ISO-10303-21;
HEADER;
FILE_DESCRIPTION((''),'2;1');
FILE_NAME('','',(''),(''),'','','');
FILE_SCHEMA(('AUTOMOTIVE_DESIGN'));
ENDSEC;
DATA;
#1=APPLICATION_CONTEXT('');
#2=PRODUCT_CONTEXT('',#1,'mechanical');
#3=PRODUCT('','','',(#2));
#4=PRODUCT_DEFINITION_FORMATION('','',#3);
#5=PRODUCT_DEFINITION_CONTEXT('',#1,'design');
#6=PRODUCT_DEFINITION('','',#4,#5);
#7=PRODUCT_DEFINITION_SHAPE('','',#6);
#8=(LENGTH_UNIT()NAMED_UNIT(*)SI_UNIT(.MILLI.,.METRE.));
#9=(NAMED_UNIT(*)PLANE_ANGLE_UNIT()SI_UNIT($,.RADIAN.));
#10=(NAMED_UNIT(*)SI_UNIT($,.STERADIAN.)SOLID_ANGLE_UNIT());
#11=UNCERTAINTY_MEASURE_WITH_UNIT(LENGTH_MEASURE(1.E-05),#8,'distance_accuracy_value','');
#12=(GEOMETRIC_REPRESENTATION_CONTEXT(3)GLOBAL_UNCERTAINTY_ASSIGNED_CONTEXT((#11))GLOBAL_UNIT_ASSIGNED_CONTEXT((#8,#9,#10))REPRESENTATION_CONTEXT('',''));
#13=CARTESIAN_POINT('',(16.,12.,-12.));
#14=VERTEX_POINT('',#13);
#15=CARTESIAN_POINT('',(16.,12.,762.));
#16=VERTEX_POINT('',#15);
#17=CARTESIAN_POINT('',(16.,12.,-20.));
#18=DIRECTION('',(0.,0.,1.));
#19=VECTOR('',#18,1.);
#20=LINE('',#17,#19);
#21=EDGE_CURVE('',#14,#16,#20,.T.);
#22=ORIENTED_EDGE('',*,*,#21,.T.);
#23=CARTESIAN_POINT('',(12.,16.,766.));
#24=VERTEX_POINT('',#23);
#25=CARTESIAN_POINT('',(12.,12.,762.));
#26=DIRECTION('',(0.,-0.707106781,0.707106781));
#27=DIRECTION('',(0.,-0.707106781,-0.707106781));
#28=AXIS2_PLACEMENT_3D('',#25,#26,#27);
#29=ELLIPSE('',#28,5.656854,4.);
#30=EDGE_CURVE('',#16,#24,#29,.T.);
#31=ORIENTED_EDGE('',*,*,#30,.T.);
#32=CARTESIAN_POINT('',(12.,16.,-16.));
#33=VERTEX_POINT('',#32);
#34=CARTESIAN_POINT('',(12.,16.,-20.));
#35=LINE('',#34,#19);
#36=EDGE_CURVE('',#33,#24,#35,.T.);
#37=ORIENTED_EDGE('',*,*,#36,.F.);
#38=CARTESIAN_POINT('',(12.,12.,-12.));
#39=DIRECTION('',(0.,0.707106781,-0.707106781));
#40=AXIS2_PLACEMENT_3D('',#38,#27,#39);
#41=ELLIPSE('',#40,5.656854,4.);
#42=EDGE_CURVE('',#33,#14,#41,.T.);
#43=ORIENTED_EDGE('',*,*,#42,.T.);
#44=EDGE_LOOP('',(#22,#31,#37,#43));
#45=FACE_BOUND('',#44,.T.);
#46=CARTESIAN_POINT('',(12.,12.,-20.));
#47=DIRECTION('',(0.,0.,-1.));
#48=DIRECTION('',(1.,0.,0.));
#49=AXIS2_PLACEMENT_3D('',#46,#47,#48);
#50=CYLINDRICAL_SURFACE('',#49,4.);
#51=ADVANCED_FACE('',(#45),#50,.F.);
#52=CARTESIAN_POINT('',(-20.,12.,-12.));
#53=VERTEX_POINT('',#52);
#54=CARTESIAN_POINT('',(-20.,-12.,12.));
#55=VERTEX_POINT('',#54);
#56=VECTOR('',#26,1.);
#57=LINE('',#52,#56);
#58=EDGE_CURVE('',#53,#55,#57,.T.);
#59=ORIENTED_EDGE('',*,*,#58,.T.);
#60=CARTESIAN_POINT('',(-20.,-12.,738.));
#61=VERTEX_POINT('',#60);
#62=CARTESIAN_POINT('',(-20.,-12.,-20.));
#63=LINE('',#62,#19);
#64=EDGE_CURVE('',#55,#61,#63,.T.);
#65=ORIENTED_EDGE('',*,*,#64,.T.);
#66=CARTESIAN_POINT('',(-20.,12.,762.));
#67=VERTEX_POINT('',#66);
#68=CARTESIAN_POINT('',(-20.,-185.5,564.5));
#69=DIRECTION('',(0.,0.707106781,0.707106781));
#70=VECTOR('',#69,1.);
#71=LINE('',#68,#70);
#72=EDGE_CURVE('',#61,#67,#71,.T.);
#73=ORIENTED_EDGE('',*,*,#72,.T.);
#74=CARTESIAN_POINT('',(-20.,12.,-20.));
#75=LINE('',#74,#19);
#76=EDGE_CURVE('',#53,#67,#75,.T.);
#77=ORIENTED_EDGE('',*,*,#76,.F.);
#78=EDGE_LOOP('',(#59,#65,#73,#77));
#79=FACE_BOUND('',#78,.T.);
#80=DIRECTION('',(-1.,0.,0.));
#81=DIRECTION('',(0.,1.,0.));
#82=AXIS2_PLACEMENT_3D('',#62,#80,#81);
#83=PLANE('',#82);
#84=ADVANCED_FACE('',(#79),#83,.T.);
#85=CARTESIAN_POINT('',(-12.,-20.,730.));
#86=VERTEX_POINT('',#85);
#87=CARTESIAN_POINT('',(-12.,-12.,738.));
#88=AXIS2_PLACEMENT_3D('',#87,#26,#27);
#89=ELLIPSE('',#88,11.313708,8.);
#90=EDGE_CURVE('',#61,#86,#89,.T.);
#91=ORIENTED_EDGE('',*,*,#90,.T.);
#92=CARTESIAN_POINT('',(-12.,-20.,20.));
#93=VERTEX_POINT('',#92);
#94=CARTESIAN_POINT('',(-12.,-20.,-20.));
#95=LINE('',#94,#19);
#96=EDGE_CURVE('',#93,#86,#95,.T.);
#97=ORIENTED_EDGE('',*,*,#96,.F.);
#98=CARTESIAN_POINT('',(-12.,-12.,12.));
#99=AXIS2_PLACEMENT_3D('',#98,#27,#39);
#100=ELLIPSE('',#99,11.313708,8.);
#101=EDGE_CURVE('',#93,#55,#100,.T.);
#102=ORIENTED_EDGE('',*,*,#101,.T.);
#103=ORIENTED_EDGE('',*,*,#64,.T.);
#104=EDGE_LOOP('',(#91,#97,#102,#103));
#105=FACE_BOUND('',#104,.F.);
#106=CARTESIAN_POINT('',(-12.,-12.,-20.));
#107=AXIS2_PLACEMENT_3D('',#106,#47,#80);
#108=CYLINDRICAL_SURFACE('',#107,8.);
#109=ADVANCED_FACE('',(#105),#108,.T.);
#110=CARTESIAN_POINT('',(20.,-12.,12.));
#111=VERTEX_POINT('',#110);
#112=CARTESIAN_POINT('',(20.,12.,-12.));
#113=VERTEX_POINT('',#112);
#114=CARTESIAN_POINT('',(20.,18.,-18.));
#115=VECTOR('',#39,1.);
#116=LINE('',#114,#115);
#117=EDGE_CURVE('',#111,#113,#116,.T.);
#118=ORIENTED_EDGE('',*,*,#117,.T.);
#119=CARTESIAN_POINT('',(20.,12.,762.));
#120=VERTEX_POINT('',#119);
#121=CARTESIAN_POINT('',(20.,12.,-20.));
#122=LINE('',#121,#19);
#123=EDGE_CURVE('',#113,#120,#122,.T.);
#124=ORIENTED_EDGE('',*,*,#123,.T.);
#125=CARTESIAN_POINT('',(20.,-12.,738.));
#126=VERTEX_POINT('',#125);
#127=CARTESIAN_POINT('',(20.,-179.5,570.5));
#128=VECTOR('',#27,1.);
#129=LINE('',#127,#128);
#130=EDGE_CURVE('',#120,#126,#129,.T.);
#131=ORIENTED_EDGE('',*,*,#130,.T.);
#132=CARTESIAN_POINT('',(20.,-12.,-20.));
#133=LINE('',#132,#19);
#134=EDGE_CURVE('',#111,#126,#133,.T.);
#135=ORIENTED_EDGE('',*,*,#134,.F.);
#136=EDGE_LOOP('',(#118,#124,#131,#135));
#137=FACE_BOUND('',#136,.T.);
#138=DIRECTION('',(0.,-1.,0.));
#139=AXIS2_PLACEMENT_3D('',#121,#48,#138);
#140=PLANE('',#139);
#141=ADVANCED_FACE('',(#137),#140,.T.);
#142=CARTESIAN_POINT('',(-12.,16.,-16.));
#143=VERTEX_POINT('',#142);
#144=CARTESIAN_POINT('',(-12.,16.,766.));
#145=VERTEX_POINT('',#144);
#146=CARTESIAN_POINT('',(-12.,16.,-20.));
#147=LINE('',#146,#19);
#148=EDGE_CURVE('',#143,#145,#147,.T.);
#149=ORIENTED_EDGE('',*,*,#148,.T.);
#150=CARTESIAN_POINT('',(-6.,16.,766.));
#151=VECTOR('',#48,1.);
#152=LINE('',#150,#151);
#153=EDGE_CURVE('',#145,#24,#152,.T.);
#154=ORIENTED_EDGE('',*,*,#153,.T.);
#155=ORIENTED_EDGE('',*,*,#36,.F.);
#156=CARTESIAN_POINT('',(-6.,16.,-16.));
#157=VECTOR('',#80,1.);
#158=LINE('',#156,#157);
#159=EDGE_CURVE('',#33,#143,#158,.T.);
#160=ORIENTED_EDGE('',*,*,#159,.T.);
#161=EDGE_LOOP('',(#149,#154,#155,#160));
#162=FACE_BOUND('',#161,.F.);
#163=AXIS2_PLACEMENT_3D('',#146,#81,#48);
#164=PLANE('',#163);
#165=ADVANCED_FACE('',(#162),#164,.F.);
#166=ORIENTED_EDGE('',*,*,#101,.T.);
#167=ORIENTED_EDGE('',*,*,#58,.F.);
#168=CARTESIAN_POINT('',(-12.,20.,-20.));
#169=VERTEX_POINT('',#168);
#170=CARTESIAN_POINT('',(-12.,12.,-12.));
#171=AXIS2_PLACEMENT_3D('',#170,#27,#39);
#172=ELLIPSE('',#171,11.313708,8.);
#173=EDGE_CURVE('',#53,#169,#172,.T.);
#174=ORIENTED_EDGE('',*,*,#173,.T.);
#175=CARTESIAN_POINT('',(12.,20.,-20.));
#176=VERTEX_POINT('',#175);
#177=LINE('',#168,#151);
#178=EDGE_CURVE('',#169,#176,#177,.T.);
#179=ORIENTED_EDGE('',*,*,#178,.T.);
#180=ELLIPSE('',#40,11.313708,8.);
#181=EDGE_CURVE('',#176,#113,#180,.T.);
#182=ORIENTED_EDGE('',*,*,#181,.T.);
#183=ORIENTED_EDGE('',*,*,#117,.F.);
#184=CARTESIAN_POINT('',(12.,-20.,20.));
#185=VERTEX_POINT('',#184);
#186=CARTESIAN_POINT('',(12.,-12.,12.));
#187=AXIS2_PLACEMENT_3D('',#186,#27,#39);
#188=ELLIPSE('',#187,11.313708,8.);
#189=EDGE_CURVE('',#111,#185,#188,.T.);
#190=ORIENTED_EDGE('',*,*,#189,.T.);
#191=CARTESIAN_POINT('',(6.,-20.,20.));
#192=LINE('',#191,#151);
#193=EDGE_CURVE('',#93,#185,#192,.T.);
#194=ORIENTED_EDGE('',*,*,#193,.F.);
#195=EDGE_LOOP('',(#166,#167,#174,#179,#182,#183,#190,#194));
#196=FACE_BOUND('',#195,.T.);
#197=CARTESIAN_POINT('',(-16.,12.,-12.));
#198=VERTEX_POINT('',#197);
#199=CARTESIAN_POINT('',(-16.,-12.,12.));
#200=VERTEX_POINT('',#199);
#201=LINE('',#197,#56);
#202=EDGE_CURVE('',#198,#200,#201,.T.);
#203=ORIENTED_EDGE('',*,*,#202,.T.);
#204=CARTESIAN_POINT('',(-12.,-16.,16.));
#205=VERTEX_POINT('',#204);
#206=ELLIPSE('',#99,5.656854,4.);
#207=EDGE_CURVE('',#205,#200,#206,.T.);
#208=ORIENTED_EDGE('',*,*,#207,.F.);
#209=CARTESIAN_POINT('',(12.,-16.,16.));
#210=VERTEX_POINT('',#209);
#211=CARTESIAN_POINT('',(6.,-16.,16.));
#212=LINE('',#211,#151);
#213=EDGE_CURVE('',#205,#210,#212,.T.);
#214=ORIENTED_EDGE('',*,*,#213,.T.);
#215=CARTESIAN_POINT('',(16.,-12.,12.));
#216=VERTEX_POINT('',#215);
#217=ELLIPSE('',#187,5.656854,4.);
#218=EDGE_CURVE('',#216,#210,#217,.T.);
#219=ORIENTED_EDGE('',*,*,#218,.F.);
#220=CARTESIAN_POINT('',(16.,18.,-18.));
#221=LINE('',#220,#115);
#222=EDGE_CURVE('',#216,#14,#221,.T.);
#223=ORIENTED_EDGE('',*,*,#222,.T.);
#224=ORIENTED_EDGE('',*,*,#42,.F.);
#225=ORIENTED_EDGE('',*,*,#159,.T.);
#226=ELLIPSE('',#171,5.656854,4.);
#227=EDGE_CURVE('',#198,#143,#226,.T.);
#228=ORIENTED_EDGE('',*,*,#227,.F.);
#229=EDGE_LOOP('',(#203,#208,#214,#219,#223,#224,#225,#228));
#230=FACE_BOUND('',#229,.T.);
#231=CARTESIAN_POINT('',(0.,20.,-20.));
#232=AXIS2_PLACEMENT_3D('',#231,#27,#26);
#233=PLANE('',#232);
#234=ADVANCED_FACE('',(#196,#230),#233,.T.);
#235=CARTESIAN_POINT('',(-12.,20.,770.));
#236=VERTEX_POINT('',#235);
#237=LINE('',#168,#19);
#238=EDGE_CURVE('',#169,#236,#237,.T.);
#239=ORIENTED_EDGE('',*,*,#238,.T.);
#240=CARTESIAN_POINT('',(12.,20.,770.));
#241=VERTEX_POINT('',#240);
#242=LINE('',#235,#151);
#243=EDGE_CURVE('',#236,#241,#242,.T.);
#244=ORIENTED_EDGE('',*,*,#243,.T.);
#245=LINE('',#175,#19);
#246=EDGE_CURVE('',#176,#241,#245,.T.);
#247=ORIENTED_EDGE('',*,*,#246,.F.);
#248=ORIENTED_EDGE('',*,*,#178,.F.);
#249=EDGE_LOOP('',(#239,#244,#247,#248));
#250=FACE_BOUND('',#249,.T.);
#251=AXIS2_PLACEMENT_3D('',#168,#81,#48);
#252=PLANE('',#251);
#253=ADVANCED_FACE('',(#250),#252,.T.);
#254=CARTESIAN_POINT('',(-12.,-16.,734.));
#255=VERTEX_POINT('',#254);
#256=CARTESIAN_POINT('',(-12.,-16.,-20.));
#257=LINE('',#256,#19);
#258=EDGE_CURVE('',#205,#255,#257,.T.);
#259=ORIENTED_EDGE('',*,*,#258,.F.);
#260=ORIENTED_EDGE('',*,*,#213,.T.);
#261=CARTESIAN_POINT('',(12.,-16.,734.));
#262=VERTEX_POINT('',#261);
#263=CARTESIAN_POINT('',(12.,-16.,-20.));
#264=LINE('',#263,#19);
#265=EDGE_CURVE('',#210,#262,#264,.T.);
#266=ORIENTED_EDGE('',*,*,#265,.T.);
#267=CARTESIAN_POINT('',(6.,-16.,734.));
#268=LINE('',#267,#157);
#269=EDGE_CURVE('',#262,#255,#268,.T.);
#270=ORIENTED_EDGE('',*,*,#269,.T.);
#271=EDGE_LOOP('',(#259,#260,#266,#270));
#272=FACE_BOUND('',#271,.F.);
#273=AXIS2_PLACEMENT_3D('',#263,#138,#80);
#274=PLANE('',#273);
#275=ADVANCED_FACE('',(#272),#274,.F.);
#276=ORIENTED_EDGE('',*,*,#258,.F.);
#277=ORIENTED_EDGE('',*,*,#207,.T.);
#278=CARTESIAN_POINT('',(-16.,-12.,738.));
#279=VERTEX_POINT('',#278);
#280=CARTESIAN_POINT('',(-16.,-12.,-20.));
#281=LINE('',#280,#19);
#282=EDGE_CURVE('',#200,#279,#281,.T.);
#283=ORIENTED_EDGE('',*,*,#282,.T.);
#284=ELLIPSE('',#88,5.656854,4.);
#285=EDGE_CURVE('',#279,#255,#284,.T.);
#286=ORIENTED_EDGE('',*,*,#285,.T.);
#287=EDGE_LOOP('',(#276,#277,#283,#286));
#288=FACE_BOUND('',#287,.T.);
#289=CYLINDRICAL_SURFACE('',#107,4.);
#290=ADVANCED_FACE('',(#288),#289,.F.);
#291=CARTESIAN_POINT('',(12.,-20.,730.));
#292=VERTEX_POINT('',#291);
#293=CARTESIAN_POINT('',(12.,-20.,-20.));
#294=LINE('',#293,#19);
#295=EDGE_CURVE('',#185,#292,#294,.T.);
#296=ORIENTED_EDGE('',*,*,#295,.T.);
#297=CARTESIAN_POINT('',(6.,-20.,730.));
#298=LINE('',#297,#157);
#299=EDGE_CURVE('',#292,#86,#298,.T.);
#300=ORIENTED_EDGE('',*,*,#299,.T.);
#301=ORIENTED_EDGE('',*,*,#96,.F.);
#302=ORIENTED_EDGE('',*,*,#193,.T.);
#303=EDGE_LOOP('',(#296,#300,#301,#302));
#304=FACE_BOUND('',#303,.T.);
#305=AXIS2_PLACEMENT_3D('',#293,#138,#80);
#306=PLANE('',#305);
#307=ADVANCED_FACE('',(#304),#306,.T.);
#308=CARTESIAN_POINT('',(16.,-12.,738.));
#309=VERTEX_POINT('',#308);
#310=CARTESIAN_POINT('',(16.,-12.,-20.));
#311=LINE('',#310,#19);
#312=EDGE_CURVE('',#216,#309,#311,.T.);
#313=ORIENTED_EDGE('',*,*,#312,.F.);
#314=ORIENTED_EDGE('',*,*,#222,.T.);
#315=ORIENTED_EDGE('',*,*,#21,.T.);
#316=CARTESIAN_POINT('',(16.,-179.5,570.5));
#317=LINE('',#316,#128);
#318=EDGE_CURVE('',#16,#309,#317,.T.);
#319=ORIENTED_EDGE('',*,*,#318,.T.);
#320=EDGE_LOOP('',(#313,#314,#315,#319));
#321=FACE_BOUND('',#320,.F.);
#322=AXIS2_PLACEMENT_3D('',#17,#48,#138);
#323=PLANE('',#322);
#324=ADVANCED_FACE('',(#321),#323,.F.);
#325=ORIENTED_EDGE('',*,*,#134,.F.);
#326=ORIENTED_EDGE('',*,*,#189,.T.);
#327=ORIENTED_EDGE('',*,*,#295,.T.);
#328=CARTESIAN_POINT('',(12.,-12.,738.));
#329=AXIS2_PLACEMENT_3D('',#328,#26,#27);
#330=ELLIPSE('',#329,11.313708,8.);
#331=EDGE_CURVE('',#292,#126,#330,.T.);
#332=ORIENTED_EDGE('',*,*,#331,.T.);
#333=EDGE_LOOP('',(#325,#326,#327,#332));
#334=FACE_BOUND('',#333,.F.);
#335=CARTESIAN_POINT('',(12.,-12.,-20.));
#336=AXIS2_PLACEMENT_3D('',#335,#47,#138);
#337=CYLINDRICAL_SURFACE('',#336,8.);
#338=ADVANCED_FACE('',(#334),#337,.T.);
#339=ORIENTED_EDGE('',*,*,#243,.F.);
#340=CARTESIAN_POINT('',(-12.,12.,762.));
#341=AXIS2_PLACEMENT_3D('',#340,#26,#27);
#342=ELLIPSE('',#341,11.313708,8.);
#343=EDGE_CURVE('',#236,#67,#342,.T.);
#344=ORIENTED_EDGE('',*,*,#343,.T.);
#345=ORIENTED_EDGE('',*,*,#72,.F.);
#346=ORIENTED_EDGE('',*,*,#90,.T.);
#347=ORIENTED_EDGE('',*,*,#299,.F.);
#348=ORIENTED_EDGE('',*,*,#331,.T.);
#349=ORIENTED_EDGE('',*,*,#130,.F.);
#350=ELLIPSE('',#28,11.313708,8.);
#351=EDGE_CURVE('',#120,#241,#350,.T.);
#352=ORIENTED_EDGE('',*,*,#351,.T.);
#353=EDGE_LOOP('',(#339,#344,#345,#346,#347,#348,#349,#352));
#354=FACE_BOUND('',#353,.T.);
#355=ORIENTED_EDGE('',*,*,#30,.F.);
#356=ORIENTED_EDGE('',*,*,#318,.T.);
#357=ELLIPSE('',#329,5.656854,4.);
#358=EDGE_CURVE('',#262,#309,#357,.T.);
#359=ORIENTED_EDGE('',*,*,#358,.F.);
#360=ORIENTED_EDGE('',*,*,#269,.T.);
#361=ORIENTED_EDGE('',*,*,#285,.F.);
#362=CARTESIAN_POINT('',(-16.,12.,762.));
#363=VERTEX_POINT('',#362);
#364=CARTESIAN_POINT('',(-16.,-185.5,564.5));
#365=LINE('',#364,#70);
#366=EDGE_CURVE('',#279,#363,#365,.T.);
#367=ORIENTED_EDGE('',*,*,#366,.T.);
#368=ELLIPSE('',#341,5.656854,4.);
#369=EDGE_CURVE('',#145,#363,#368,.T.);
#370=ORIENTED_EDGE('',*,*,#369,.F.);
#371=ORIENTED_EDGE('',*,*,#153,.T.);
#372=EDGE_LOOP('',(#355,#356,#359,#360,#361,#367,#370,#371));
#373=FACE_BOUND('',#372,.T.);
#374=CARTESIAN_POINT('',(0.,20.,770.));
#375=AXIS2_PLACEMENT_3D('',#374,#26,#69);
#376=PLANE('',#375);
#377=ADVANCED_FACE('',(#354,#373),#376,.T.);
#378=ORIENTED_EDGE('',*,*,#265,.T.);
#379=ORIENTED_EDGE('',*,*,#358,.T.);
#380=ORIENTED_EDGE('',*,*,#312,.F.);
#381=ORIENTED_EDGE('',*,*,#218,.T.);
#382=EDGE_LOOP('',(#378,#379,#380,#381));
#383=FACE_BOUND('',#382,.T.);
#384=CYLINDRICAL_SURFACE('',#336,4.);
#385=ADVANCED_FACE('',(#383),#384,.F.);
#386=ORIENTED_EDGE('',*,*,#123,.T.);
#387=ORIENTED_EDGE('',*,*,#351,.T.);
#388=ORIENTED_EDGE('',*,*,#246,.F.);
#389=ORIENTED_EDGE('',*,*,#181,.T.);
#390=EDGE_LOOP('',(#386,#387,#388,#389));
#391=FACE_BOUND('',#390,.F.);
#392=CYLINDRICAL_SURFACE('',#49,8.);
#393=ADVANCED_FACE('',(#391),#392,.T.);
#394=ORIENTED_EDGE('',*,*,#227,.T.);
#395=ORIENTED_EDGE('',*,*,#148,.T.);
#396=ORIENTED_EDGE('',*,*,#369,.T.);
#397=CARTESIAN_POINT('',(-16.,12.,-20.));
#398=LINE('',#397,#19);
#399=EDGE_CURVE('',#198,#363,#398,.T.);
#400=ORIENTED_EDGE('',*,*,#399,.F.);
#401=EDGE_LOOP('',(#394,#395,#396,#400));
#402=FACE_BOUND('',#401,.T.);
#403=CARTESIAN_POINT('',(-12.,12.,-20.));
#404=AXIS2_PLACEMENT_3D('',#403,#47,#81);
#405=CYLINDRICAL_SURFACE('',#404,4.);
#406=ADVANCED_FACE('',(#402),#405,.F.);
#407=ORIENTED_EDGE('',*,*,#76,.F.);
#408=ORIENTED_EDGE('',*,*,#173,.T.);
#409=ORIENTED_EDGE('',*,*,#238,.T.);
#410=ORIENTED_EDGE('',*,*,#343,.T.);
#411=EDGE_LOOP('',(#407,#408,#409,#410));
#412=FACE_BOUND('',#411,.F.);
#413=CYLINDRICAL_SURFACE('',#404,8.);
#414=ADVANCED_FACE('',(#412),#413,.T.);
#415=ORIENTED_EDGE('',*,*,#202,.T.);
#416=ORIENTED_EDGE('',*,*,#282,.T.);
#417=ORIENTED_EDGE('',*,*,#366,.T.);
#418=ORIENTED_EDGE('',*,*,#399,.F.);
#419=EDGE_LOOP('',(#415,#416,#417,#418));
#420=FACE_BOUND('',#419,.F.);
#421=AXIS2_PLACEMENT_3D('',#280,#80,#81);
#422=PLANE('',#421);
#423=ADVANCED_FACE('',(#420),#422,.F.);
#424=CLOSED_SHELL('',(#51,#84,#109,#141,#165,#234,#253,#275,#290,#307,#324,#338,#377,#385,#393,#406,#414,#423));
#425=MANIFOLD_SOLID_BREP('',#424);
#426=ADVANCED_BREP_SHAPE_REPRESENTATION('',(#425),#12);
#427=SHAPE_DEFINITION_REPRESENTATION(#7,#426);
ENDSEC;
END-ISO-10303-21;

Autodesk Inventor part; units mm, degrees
ref_plane "Start plane" through (0, 0, -20) normal (0, 0, 1) x (1, 0, 0)
ref_plane "End plane" through (0, 0, 770) normal (0, 0, 1) x (1, 0, 0)
sketch "Sketch" plane through (0, 0, 0) normal (0, 0, 1) x (1, 0, 0)
  line L0 (-20, -12) -> (-20, 12)
  line L1 (-12, 20) -> (12, 20)
  line L2 (20, 12) -> (20, -12)
  line L3 (12, -20) -> (-12, -20)
  arc A0 (-20, -12) -> (-12, -20) centre (-12, -12) ccw
  arc A1 (-12, 20) -> (-20, 12) centre (-12, 12) ccw
  arc A2 (20, 12) -> (12, 20) centre (12, 12) ccw
  arc A3 (12, -20) -> (20, -12) centre (12, -12) ccw
  arc A4 (-12, 16) -> (-16, 12) centre (-12, 12) ccw
  line L4 (-12, 16) -> (12, 16)
  arc A5 (16, 12) -> (12, 16) centre (12, 12) ccw
  line L5 (16, 12) -> (16, -12)
  arc A6 (12, -16) -> (16, -12) centre (12, -12) ccw
  line L6 (12, -16) -> (-12, -16)
  arc A7 (-16, -12) -> (-12, -16) centre (-12, -12) ccw
  line L7 (-16, -12) -> (-16, 12)
  line L8 (0, 30.3196) -> (0, -30.3196) construction
  line L9 (-30.3196, 0) -> (30.3196, 0) construction
  dimension "d7" = 8
  dimension "d10" = 40
  dimension "d11" = 40
  dimension "d12" = 4
  dimension "d15" = 20
  dimension "d16" = 20
extrude "Body" add sketch "Sketch" along normal up to surface (790 mm away) from surface at -20
sketch "Sketch3" plane through (0, 0, 0) normal (0, 0, 1) x (1, 0, 0)
  line L0 (0, 0) -> (10, 0)
ref_plane "Work Plane3" through (0, 0, 0) normal (0, -1, 0) x (1, 0, 0)
sketch "Sketch4" plane through (0, 0, 0) normal (0, -1, 0) x (1, 0, 0)
  line L0 (-2, -20) -> (12, -20)
  line L1 (-2, 770) -> (12, 770)
  dimension "d18" = 790
ref_plane "Work Plane4" through (0, 20, -20) normal (0, -0.7071, -0.7071) x (1, 0, 0)
split "Split1" plane through (0, 20, -20) removes the side toward (0, -0.7071, -0.7071)
ref_plane "Work Plane5" through (0, 20, 770) normal (0, -0.7071, 0.7071) x (1, 0, 0)
split "Split2" plane through (0, 20, 770) removes the side toward (0, -0.7071, 0.7071)
equation "\"d7\" = G_IR"
equation "\"d10\" = G_H"
equation "\"d11\" = G_W"
equation "\"d12\" = G_T"
equation "\"d15\" = 0.5 * d10"
equation "\"d16\" = 0.5 * d11"
equation "\"d3\" = G_L"
equation "\"G_W\" = 40"
equation "\"G_H\" = 40"
equation "\"G_T\" = 4"
equation "\"G_IR\" = 8"
equation "\"G_L\" = d18"
equation "\"G_OFFSET_START\" = 20"
equation "\"G_OFFSET_END\" = 20"
equation "\"d13\" = -G_OFFSET_START"
equation "\"B_L\" = 750"
properties part number "DIN EN 10219-2 - 40 x 40 x 4  - 790" material "Steel, Mild"
